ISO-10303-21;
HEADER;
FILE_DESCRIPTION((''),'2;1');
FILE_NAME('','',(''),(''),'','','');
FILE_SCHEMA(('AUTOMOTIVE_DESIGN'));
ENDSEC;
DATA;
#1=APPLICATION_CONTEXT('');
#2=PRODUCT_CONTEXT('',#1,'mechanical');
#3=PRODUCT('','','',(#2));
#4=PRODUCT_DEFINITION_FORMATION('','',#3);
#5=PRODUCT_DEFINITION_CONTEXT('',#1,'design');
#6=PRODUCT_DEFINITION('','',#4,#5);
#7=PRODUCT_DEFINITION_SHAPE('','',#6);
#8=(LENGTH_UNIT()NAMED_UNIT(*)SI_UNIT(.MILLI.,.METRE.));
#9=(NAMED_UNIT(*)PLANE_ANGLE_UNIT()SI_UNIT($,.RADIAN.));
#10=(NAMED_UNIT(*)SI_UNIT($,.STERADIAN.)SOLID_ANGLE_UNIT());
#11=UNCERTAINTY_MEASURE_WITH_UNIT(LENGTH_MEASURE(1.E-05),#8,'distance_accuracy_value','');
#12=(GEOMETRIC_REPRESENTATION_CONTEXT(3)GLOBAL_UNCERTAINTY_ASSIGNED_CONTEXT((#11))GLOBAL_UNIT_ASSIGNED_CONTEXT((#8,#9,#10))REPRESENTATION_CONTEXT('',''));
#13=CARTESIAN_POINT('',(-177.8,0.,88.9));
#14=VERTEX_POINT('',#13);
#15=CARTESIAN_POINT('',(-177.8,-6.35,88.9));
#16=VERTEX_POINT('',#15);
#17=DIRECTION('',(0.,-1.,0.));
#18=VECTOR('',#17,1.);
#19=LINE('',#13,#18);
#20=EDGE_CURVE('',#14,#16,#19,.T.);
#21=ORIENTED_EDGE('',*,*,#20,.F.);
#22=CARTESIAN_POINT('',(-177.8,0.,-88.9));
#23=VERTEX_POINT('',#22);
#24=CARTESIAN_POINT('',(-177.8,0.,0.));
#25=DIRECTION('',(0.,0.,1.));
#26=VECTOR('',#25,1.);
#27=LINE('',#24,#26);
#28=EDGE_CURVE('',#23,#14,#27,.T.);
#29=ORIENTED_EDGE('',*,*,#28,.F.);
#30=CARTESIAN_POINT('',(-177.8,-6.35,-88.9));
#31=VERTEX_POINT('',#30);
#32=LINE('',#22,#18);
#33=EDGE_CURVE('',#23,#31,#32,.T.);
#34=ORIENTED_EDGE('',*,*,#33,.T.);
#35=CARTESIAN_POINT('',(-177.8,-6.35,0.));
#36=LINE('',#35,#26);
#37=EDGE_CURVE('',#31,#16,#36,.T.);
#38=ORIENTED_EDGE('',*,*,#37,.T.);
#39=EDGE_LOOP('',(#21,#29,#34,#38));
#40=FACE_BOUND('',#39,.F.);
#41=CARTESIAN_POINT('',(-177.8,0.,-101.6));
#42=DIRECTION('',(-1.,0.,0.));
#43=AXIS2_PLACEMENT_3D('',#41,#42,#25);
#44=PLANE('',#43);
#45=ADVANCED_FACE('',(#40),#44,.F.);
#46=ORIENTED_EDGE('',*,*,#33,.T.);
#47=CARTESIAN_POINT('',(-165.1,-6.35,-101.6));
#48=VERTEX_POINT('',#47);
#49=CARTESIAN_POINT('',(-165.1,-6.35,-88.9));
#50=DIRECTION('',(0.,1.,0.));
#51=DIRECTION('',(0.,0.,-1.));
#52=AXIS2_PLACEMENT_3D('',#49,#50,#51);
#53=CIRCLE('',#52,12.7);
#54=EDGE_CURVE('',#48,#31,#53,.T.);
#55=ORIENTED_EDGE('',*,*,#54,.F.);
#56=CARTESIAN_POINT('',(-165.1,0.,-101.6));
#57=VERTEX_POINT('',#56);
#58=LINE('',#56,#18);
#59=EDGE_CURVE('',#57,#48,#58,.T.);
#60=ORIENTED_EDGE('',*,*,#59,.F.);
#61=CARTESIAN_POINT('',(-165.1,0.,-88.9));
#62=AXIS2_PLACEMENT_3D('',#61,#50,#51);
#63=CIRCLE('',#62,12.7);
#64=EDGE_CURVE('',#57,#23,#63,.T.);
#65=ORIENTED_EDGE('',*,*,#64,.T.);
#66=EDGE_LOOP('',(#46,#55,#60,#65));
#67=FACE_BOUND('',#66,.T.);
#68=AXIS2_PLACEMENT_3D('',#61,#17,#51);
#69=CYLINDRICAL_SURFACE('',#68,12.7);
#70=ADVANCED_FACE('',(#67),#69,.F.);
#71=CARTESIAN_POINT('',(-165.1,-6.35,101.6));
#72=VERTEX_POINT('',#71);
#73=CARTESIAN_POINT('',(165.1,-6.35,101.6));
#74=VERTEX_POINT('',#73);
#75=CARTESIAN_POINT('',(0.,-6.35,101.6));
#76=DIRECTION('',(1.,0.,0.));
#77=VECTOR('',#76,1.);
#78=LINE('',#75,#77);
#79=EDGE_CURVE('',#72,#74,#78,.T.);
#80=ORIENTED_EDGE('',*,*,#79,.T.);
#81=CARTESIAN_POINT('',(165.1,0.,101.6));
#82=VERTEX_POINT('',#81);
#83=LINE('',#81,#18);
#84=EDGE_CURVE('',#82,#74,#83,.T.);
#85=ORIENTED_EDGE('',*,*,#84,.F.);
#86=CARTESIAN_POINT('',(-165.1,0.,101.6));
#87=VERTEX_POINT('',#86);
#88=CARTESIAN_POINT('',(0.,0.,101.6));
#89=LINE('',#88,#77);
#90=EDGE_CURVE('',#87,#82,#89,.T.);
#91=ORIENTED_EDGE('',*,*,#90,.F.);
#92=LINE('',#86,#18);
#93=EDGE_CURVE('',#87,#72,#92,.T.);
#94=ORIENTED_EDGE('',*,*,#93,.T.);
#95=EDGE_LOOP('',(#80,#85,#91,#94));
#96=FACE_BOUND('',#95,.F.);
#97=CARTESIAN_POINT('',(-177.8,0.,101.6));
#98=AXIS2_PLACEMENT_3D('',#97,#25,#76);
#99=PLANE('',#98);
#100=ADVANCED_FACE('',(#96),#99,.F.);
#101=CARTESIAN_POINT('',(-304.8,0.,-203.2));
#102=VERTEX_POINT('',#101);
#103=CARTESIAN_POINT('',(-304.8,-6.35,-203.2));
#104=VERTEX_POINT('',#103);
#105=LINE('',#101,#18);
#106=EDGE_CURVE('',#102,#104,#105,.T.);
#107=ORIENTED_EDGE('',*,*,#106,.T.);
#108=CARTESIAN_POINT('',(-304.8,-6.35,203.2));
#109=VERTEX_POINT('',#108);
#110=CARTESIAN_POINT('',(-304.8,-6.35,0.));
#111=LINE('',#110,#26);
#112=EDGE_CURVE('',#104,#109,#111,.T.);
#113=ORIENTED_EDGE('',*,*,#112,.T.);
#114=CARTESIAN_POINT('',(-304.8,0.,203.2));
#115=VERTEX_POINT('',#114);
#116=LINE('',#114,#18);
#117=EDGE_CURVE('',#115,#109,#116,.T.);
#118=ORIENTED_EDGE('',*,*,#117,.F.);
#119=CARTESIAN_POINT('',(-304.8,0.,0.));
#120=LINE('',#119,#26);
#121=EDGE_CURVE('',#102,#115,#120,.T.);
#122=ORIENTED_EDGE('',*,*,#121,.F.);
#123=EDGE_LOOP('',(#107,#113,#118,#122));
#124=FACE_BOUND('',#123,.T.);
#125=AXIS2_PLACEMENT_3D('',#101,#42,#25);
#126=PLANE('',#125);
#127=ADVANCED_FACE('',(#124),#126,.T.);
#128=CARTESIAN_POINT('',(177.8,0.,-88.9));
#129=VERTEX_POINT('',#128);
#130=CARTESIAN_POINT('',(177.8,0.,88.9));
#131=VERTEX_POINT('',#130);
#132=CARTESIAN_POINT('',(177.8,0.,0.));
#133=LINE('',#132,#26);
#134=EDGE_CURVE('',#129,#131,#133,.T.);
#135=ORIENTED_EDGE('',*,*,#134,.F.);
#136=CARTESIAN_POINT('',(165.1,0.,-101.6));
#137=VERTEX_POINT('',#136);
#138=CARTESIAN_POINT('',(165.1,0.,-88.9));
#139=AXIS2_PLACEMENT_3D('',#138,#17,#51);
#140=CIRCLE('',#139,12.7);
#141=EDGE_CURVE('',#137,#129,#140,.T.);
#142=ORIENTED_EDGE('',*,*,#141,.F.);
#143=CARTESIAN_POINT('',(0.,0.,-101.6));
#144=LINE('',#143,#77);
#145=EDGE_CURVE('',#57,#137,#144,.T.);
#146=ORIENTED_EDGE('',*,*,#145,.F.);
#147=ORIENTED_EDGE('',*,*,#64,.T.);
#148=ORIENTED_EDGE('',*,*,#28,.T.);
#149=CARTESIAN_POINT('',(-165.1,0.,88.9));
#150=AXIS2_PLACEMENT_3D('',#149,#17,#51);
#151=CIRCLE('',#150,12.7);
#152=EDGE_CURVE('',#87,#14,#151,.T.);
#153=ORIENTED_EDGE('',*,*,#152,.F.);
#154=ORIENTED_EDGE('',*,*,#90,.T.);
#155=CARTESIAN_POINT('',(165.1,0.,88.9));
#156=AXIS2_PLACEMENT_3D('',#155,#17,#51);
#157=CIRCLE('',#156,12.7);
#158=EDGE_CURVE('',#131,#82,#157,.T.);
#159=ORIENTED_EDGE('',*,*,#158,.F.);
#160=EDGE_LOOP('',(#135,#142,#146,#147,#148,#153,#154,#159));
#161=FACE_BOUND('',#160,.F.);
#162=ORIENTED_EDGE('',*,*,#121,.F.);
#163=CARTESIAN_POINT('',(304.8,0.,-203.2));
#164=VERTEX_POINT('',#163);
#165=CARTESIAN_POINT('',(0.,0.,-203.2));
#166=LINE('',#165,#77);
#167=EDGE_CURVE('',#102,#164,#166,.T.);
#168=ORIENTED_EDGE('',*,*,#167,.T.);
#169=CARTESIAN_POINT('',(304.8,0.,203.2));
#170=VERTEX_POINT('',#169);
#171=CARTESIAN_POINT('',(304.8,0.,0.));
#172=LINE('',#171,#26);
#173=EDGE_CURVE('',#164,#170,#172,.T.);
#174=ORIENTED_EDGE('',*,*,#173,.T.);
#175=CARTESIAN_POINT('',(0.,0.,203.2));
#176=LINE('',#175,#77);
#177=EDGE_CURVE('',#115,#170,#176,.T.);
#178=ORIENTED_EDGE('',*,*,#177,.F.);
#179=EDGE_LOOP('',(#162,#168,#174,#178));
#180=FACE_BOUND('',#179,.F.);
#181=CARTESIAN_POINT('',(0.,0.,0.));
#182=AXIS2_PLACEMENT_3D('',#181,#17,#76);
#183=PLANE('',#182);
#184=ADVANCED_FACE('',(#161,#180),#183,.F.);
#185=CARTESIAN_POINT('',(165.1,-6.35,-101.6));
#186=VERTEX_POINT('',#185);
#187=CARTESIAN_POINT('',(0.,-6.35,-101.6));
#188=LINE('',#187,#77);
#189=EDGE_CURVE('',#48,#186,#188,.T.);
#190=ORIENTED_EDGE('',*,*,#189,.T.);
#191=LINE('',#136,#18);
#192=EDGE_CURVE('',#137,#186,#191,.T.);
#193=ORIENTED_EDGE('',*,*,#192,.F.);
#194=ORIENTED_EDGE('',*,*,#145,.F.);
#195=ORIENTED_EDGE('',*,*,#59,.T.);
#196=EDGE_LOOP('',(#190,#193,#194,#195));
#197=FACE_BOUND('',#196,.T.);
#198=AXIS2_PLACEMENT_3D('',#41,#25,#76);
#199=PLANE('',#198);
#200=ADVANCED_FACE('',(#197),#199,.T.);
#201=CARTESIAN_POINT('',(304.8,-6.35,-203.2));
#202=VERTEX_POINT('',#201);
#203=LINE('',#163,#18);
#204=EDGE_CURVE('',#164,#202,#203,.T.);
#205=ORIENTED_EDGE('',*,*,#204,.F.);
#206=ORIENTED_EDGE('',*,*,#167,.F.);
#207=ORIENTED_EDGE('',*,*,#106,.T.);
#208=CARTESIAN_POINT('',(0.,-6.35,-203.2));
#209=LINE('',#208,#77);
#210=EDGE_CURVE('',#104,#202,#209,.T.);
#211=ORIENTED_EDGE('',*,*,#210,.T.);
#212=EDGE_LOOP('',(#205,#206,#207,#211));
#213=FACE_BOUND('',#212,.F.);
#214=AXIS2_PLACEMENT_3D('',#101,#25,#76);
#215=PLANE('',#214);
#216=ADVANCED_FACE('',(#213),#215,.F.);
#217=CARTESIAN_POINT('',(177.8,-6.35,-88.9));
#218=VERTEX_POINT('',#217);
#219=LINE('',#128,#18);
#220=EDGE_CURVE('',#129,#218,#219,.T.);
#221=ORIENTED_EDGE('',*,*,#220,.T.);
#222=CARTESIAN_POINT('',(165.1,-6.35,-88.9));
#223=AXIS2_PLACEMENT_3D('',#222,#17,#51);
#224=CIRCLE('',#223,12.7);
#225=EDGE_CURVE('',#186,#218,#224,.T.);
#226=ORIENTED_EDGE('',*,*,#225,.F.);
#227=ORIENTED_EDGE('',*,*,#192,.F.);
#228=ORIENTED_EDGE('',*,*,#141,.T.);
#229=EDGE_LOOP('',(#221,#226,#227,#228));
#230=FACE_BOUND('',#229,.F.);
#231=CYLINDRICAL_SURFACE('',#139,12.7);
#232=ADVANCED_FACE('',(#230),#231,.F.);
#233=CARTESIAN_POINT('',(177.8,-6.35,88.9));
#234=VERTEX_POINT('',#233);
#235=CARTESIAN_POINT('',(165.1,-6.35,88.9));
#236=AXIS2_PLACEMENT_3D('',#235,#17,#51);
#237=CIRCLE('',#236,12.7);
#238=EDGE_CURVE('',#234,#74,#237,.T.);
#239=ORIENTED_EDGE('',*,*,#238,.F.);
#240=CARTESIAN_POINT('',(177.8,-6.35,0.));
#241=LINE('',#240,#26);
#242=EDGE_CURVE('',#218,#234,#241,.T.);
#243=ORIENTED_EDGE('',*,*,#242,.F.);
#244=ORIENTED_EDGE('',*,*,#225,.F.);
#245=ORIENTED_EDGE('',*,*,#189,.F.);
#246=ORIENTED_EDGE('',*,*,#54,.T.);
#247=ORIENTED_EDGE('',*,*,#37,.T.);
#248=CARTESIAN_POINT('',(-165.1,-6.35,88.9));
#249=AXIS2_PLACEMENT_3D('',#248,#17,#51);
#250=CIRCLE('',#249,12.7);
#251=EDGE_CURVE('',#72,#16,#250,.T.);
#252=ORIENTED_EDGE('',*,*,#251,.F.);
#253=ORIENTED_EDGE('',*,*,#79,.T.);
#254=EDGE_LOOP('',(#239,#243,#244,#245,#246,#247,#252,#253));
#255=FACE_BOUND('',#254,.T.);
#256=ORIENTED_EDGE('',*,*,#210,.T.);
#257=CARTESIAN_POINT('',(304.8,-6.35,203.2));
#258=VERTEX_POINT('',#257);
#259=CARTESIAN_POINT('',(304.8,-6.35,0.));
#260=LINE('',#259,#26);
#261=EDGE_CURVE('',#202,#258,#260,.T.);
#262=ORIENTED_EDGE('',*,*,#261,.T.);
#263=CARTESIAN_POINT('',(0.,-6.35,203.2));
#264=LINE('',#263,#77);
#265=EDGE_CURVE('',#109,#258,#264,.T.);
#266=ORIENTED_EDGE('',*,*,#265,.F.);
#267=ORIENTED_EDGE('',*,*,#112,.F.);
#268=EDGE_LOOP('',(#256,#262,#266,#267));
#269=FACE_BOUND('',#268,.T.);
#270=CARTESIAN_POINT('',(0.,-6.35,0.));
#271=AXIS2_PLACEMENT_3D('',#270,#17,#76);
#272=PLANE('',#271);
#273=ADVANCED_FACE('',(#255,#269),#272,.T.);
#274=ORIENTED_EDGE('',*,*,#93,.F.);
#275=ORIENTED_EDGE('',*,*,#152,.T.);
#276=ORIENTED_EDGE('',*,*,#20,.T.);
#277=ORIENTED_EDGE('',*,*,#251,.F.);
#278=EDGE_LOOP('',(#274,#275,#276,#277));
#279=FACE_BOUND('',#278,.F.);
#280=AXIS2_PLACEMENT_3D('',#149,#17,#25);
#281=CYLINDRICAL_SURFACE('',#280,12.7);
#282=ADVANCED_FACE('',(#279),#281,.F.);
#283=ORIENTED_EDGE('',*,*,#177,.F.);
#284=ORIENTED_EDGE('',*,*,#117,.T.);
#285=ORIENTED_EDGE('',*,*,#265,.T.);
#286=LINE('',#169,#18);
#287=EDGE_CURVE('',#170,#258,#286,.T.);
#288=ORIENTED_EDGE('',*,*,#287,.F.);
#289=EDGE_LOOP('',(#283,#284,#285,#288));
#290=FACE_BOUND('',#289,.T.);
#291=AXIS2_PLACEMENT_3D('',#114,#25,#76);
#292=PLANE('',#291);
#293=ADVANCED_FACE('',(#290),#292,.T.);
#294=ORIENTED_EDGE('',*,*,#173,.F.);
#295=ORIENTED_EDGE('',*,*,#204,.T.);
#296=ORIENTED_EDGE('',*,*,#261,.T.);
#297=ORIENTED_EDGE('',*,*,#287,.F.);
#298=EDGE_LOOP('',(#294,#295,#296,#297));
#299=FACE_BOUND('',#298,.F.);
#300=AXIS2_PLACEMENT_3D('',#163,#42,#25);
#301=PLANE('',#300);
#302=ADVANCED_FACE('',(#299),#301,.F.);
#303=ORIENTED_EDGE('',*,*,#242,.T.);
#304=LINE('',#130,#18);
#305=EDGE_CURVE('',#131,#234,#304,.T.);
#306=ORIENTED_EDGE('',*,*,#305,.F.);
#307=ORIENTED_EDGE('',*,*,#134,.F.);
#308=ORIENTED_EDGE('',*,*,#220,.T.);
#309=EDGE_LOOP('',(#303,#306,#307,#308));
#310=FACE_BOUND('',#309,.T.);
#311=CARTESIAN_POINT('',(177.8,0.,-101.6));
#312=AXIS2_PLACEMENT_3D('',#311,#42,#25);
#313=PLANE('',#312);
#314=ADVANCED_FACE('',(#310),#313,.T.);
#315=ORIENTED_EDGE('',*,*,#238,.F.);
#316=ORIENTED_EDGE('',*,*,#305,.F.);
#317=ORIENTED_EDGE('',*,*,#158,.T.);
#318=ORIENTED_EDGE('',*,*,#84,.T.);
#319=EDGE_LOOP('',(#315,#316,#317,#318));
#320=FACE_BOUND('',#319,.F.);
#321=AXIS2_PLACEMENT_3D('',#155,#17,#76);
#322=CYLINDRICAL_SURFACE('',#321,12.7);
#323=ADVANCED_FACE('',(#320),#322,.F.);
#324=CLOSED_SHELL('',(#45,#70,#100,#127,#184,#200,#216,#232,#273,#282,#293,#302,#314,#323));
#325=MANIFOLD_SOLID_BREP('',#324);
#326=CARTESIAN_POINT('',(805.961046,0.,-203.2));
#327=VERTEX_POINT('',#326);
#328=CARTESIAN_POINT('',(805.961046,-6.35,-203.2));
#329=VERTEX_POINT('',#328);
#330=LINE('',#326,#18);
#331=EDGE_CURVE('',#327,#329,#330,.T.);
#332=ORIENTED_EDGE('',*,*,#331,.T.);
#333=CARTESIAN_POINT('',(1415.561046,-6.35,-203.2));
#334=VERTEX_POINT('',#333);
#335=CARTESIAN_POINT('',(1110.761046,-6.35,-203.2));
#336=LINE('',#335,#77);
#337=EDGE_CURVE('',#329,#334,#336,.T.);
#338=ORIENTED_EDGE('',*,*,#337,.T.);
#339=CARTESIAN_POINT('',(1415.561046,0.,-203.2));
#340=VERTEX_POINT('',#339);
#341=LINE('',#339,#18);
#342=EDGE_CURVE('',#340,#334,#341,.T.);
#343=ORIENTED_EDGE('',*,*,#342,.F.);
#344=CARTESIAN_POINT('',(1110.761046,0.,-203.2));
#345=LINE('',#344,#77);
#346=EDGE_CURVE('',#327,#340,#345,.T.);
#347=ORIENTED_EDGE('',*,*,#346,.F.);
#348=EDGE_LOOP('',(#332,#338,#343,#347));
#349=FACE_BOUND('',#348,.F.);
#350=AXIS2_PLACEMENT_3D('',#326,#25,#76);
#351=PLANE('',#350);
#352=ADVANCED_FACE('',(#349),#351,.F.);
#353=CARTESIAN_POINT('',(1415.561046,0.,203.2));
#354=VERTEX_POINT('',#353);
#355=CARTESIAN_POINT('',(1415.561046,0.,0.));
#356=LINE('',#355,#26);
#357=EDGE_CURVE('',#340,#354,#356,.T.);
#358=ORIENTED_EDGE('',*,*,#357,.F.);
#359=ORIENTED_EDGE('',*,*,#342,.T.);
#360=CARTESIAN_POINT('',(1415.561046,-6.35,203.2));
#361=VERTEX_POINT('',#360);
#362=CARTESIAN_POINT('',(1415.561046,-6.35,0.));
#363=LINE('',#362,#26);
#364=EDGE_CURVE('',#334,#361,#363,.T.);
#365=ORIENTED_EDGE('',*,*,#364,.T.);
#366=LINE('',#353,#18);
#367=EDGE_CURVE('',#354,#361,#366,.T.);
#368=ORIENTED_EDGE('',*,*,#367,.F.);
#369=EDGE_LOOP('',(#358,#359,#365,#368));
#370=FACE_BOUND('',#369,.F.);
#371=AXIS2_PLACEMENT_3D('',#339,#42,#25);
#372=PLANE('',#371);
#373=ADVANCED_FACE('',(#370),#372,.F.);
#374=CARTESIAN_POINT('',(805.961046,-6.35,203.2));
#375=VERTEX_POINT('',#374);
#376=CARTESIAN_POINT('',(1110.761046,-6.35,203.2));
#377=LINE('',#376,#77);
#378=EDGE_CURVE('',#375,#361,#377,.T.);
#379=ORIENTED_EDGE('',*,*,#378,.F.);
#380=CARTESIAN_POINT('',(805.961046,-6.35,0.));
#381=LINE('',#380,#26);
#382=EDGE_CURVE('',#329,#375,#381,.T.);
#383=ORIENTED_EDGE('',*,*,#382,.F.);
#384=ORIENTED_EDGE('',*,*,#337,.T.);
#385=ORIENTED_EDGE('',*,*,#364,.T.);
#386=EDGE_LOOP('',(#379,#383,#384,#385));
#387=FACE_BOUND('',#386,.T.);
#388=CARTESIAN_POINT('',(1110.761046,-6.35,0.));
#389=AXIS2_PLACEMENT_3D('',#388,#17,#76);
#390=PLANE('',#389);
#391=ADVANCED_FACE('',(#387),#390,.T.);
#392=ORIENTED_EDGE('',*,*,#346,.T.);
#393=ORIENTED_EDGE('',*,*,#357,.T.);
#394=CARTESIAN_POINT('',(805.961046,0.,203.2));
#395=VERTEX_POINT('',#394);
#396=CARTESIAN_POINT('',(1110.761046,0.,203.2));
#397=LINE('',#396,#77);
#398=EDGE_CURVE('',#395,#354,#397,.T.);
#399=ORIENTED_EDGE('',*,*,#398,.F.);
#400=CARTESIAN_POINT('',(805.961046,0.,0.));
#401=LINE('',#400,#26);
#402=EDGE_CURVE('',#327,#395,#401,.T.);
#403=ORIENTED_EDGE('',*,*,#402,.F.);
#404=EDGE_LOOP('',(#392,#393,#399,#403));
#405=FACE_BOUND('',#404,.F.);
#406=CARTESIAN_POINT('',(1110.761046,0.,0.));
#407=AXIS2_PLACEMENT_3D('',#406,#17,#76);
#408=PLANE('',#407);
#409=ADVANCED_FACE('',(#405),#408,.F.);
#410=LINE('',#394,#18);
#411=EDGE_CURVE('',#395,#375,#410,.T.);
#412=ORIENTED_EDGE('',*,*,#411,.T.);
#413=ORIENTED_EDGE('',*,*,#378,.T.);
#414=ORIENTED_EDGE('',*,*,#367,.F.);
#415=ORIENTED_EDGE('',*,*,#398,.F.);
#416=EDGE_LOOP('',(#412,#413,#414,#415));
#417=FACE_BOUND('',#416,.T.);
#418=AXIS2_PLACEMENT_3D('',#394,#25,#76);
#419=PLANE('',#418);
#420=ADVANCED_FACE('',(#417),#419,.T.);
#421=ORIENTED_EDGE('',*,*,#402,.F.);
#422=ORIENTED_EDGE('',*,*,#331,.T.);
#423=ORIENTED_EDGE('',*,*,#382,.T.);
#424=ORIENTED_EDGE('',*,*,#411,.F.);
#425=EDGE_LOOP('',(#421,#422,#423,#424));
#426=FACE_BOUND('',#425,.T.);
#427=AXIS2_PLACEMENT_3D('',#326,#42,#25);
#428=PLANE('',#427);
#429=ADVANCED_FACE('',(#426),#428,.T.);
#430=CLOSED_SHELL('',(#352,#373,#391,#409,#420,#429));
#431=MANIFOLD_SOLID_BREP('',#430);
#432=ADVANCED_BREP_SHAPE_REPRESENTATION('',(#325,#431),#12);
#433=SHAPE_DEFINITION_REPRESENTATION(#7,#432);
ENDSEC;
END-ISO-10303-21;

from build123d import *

# Parameters (mm, degrees)
F0_W     = 609.6
F0_H     = 406.4
F0_W_2   = 355.6
F0_H_2   = 203.2
F1_DEPTH = 6.35
F2_R     = 12.7
F3_W     = 609.6
F3_H     = 406.4
F4_DEPTH = 6.35


with BuildPart() as f1:
    # F0 (on Front) → F1 (new body)
    with BuildSketch(Plane.XZ):
        Rectangle(F0_W, F0_H)
        Rectangle(F0_W_2, F0_H_2, mode=Mode.SUBTRACT)
    extrude(amount=F1_DEPTH)

    # F2
    f2_edges = [f1.edges().sort_by_distance(p)[0] for p in [
        (-177.8, -3.175, 101.6),
        (177.8, -3.175, 101.6),
        (177.8, -3.175, -101.6),
        (-177.8, -3.175, -101.6),
    ]]
    fillet(f2_edges, radius=F2_R)


with BuildPart() as f4:
    # F3 (on Front) → F4 (new body)
    with BuildSketch(Plane.XZ):
        with Locations((1110.761046, 0)):
            Rectangle(F3_W, F3_H)
    extrude(amount=F4_DEPTH)


solid = Compound([f1.part, f4.part])
